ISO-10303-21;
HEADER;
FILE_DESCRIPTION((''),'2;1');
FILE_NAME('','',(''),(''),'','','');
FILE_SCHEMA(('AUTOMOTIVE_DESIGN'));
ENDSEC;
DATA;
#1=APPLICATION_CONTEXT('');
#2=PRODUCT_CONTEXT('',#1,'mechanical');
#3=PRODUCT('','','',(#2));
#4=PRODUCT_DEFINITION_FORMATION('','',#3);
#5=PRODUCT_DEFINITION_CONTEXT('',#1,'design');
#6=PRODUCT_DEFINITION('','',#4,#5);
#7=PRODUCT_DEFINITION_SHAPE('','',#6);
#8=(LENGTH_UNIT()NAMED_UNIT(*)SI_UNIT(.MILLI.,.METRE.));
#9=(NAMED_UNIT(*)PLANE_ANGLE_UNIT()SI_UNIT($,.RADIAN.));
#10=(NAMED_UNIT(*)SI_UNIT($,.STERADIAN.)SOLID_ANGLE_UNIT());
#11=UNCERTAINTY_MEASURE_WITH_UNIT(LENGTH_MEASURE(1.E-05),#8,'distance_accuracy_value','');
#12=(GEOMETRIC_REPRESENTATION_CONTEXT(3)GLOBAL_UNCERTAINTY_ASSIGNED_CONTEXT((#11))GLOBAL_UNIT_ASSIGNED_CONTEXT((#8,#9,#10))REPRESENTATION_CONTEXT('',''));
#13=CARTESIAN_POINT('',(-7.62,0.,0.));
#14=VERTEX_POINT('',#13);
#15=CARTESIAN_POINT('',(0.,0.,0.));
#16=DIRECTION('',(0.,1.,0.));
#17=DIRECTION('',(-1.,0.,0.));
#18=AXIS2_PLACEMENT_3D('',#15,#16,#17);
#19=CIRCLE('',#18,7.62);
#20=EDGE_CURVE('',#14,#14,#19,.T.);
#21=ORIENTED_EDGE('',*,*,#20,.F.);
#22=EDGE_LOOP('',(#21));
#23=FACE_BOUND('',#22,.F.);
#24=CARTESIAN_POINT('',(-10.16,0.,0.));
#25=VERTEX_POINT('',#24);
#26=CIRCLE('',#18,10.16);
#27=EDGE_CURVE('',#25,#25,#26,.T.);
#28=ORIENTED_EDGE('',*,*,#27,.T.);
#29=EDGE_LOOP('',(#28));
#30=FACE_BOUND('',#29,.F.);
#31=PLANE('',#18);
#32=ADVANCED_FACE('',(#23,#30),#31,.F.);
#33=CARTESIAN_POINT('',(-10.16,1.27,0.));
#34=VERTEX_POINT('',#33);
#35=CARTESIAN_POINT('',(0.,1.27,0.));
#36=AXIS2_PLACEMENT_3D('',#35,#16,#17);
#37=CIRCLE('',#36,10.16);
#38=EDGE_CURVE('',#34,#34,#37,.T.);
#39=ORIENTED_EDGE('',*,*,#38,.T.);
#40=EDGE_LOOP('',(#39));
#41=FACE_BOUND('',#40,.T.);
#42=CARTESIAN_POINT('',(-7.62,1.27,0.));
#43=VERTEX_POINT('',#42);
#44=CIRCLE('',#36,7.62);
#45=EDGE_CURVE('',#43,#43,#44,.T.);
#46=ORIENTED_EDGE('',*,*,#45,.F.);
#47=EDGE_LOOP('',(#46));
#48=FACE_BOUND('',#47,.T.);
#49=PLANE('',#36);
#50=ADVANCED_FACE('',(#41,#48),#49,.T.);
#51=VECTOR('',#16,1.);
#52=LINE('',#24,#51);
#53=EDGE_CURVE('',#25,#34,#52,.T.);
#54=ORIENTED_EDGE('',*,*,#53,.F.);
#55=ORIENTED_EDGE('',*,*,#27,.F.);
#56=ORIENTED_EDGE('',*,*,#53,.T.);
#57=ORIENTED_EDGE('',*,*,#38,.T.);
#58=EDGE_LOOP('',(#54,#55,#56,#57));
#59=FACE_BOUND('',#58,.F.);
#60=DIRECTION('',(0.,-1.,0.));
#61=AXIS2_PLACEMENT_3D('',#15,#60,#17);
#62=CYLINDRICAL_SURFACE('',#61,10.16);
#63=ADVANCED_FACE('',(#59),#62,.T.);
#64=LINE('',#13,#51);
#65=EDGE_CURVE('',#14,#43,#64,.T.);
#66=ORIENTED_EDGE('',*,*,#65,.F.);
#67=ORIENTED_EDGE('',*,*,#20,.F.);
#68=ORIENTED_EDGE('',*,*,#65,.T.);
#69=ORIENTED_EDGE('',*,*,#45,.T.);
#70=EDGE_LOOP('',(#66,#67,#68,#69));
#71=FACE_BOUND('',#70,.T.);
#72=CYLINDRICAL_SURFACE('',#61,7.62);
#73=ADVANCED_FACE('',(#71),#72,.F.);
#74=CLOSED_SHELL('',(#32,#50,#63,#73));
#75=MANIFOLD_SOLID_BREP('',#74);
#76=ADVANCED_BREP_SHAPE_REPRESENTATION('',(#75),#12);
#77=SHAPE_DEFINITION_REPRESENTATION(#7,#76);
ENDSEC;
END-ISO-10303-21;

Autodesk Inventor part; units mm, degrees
ref_plane "YZ Plane" through (0, 0, 0) normal (1, 0, 0) x (0, 1, 0)
ref_plane "XZ Plane" through (0, 0, 0) normal (0, 1, 0) x (-1, 0, 0)
ref_plane "XY Plane" through (0, 0, 0) normal (0, 0, 1) x (1, 0, 0)
sketch "Sketch1" plane through (0, 0, 0) normal (0, 1, 0) x (-1, 0, 0)
  circle A0 centre (0, 0) radius 7.62
  circle A1 centre (0, 0) radius 10.16
  dimension "d0" = 15.24
  dimension "d1" = 20.32
extrude "Extrusion1" add sketch "Sketch1" along normal blind 1.27
properties part number "MarbleRingTest2"
